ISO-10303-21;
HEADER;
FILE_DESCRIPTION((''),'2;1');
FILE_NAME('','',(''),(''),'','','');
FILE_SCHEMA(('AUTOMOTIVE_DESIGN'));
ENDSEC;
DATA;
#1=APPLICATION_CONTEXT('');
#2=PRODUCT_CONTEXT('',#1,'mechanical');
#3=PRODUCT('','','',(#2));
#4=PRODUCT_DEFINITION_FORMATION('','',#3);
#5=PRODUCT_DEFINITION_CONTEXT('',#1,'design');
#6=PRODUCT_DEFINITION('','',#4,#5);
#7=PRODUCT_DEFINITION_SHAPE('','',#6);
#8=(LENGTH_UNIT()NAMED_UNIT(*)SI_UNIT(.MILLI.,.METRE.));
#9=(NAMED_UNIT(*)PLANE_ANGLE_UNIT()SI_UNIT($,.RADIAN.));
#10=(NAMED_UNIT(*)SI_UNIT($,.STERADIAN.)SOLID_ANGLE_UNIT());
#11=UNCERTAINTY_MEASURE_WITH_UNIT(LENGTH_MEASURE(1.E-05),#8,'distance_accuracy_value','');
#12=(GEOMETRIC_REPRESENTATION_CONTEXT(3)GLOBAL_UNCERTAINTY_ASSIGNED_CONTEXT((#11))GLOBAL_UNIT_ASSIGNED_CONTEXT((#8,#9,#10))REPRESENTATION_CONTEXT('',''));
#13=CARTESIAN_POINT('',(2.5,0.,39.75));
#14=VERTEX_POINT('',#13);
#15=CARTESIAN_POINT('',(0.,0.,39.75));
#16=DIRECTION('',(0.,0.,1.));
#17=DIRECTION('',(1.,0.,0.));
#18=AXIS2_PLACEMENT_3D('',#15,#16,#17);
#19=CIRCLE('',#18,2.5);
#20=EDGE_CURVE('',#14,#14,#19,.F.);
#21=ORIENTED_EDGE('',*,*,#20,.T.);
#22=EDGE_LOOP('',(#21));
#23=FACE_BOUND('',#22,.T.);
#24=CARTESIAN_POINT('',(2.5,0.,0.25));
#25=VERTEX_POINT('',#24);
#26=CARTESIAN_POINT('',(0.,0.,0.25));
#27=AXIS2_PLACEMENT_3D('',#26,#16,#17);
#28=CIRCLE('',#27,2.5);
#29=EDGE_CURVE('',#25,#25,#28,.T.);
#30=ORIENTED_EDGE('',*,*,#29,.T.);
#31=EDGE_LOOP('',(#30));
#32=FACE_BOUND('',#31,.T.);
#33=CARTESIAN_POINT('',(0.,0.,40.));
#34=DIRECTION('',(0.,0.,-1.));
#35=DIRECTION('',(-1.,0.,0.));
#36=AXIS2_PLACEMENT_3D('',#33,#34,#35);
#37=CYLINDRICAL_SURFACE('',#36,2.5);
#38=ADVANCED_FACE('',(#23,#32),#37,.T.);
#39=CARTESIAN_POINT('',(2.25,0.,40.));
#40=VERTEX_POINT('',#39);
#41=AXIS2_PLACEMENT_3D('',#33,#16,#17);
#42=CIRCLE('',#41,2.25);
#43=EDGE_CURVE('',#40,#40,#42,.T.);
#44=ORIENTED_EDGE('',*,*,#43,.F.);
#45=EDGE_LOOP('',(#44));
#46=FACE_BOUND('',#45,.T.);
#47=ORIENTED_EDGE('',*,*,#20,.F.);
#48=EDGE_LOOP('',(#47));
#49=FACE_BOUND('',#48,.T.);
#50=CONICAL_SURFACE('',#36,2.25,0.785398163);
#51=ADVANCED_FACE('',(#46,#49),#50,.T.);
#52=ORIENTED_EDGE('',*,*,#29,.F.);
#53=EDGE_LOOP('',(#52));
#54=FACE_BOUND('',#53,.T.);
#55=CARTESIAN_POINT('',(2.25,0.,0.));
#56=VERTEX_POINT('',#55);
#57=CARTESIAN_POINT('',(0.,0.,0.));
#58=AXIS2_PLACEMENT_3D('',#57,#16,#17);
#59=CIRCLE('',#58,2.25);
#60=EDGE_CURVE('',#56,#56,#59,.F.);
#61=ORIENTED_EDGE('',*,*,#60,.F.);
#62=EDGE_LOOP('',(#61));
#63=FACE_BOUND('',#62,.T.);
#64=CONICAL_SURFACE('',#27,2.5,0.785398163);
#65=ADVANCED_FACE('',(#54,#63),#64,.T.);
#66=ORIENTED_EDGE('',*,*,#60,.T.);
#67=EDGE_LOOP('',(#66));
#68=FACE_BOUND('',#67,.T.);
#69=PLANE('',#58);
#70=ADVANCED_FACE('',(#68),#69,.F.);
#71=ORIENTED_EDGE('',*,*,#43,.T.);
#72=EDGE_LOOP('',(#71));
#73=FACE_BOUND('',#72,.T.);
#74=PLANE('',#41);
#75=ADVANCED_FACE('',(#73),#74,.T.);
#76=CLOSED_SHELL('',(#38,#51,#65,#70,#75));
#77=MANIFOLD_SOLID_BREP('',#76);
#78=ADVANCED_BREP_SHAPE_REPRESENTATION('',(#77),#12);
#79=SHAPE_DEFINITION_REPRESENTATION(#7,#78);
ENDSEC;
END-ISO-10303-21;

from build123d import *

# Parameters (mm, degrees)
ESQUISSE1_R          = 2.5
BASE_EXTRUSION_DEPTH = 40
CHANFREIN1_SIZE      = 0.25


with BuildPart() as part:
    # Esquisse1 → Base-Extrusion (new body)
    with BuildSketch(Plane.XY):
        Circle(ESQUISSE1_R)
    extrude(amount=BASE_EXTRUSION_DEPTH)

    # Chanfrein1
    chanfrein1_edges = [part.edges().sort_by_distance(p)[0] for p in [
        (-2.5, 0, 0),
        (-2.5, 0, 40),
    ]]
    chamfer(chanfrein1_edges, length=CHANFREIN1_SIZE)


solid = part.part
